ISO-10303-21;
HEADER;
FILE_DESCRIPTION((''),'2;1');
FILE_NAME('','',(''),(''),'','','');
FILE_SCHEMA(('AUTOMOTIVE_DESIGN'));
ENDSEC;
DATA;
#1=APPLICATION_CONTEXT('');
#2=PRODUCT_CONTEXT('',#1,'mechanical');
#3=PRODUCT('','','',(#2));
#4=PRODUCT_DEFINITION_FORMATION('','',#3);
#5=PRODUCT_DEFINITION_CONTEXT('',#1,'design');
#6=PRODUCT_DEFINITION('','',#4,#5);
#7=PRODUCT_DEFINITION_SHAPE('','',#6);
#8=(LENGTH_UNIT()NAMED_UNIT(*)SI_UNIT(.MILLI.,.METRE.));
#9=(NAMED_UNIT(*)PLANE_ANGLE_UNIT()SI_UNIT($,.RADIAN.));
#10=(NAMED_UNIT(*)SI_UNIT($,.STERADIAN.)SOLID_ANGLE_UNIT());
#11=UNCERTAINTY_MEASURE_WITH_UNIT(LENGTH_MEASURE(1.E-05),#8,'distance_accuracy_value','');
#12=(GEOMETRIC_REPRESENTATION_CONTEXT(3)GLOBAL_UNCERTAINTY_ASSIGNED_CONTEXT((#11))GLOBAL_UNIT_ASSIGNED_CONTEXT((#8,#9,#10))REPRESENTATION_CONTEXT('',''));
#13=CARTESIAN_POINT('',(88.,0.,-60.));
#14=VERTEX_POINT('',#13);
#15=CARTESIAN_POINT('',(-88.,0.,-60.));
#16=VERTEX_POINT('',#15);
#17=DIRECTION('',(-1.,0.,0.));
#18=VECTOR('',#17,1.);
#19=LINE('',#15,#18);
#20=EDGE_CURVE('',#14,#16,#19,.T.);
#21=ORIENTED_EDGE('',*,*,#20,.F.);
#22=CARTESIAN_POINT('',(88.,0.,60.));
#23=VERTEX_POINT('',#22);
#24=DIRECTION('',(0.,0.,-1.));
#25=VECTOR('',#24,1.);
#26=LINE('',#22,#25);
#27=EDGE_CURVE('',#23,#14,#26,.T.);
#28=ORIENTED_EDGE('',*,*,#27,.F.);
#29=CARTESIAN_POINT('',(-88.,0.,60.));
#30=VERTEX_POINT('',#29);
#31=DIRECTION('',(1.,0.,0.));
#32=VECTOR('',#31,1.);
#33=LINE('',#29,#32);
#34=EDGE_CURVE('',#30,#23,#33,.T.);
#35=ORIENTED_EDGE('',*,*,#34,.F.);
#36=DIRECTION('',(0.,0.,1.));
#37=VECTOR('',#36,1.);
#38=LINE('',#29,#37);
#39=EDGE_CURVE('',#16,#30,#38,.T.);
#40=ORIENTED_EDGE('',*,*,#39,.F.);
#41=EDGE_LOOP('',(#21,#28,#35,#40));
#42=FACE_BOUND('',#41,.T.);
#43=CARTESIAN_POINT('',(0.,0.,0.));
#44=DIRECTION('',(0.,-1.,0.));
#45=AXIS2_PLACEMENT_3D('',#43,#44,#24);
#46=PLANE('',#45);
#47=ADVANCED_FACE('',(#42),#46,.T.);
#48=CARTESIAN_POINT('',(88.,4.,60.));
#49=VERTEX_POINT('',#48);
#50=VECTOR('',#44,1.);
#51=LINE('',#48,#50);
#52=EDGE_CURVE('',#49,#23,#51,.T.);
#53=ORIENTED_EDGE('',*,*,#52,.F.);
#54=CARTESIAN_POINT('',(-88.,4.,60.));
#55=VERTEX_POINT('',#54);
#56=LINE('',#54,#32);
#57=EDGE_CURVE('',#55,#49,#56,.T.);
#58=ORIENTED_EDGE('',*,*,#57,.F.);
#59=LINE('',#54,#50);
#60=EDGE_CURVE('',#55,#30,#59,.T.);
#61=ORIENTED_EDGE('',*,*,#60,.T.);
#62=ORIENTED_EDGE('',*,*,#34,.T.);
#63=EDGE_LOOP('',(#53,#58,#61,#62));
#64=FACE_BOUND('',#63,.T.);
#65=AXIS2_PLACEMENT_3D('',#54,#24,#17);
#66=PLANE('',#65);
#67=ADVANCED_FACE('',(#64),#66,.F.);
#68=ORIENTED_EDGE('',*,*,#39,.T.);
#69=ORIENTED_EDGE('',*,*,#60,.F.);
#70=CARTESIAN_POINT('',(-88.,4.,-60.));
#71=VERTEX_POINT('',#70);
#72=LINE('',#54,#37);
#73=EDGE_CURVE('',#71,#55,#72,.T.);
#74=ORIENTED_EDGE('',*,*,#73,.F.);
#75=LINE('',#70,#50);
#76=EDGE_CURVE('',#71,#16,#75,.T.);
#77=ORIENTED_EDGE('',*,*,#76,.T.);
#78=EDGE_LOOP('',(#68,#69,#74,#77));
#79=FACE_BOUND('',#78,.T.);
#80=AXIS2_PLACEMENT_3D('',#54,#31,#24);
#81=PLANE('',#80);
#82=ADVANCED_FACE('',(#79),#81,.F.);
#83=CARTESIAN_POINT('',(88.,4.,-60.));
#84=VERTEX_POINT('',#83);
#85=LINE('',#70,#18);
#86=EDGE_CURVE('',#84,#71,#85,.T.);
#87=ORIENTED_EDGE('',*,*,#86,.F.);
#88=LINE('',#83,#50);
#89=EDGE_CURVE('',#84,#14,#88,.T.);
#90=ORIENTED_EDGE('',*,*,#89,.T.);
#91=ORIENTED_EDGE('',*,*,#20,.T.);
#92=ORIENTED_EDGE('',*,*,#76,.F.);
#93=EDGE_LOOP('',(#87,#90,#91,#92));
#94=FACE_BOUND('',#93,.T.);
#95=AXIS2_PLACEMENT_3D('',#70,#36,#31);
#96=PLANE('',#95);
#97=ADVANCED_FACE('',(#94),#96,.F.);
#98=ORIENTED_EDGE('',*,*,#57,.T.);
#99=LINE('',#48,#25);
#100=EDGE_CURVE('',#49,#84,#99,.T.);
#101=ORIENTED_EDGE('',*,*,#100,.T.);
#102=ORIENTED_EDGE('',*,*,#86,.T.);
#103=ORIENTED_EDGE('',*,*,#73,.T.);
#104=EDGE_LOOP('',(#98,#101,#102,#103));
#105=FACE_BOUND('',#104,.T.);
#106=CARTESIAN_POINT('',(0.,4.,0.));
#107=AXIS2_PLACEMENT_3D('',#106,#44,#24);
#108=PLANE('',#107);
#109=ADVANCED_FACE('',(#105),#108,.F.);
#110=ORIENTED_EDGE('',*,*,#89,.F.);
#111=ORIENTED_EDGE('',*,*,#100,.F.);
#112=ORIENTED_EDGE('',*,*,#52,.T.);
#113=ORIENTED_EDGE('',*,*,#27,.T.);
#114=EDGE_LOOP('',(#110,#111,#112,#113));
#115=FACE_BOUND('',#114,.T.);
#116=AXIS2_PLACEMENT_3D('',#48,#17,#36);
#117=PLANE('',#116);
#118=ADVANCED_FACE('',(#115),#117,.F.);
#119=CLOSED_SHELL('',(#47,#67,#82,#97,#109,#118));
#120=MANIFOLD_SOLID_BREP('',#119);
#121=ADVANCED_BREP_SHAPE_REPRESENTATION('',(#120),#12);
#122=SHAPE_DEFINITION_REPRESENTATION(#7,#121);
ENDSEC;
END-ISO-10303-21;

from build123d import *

# Parameters (mm, degrees)
SKETCH_1_W      = 176
SKETCH_1_H      = 120
EXTRUDE_1_DEPTH = 4


with BuildPart() as part:
    # 草图1 → 凸台-拉伸1 (new body)
    with BuildSketch(Plane(origin=(0, 0, 0), x_dir=(1, 0, 0), z_dir=(0, 1, 0))):
        Rectangle(SKETCH_1_W, SKETCH_1_H)
    extrude(amount=EXTRUDE_1_DEPTH)


solid = part.part
